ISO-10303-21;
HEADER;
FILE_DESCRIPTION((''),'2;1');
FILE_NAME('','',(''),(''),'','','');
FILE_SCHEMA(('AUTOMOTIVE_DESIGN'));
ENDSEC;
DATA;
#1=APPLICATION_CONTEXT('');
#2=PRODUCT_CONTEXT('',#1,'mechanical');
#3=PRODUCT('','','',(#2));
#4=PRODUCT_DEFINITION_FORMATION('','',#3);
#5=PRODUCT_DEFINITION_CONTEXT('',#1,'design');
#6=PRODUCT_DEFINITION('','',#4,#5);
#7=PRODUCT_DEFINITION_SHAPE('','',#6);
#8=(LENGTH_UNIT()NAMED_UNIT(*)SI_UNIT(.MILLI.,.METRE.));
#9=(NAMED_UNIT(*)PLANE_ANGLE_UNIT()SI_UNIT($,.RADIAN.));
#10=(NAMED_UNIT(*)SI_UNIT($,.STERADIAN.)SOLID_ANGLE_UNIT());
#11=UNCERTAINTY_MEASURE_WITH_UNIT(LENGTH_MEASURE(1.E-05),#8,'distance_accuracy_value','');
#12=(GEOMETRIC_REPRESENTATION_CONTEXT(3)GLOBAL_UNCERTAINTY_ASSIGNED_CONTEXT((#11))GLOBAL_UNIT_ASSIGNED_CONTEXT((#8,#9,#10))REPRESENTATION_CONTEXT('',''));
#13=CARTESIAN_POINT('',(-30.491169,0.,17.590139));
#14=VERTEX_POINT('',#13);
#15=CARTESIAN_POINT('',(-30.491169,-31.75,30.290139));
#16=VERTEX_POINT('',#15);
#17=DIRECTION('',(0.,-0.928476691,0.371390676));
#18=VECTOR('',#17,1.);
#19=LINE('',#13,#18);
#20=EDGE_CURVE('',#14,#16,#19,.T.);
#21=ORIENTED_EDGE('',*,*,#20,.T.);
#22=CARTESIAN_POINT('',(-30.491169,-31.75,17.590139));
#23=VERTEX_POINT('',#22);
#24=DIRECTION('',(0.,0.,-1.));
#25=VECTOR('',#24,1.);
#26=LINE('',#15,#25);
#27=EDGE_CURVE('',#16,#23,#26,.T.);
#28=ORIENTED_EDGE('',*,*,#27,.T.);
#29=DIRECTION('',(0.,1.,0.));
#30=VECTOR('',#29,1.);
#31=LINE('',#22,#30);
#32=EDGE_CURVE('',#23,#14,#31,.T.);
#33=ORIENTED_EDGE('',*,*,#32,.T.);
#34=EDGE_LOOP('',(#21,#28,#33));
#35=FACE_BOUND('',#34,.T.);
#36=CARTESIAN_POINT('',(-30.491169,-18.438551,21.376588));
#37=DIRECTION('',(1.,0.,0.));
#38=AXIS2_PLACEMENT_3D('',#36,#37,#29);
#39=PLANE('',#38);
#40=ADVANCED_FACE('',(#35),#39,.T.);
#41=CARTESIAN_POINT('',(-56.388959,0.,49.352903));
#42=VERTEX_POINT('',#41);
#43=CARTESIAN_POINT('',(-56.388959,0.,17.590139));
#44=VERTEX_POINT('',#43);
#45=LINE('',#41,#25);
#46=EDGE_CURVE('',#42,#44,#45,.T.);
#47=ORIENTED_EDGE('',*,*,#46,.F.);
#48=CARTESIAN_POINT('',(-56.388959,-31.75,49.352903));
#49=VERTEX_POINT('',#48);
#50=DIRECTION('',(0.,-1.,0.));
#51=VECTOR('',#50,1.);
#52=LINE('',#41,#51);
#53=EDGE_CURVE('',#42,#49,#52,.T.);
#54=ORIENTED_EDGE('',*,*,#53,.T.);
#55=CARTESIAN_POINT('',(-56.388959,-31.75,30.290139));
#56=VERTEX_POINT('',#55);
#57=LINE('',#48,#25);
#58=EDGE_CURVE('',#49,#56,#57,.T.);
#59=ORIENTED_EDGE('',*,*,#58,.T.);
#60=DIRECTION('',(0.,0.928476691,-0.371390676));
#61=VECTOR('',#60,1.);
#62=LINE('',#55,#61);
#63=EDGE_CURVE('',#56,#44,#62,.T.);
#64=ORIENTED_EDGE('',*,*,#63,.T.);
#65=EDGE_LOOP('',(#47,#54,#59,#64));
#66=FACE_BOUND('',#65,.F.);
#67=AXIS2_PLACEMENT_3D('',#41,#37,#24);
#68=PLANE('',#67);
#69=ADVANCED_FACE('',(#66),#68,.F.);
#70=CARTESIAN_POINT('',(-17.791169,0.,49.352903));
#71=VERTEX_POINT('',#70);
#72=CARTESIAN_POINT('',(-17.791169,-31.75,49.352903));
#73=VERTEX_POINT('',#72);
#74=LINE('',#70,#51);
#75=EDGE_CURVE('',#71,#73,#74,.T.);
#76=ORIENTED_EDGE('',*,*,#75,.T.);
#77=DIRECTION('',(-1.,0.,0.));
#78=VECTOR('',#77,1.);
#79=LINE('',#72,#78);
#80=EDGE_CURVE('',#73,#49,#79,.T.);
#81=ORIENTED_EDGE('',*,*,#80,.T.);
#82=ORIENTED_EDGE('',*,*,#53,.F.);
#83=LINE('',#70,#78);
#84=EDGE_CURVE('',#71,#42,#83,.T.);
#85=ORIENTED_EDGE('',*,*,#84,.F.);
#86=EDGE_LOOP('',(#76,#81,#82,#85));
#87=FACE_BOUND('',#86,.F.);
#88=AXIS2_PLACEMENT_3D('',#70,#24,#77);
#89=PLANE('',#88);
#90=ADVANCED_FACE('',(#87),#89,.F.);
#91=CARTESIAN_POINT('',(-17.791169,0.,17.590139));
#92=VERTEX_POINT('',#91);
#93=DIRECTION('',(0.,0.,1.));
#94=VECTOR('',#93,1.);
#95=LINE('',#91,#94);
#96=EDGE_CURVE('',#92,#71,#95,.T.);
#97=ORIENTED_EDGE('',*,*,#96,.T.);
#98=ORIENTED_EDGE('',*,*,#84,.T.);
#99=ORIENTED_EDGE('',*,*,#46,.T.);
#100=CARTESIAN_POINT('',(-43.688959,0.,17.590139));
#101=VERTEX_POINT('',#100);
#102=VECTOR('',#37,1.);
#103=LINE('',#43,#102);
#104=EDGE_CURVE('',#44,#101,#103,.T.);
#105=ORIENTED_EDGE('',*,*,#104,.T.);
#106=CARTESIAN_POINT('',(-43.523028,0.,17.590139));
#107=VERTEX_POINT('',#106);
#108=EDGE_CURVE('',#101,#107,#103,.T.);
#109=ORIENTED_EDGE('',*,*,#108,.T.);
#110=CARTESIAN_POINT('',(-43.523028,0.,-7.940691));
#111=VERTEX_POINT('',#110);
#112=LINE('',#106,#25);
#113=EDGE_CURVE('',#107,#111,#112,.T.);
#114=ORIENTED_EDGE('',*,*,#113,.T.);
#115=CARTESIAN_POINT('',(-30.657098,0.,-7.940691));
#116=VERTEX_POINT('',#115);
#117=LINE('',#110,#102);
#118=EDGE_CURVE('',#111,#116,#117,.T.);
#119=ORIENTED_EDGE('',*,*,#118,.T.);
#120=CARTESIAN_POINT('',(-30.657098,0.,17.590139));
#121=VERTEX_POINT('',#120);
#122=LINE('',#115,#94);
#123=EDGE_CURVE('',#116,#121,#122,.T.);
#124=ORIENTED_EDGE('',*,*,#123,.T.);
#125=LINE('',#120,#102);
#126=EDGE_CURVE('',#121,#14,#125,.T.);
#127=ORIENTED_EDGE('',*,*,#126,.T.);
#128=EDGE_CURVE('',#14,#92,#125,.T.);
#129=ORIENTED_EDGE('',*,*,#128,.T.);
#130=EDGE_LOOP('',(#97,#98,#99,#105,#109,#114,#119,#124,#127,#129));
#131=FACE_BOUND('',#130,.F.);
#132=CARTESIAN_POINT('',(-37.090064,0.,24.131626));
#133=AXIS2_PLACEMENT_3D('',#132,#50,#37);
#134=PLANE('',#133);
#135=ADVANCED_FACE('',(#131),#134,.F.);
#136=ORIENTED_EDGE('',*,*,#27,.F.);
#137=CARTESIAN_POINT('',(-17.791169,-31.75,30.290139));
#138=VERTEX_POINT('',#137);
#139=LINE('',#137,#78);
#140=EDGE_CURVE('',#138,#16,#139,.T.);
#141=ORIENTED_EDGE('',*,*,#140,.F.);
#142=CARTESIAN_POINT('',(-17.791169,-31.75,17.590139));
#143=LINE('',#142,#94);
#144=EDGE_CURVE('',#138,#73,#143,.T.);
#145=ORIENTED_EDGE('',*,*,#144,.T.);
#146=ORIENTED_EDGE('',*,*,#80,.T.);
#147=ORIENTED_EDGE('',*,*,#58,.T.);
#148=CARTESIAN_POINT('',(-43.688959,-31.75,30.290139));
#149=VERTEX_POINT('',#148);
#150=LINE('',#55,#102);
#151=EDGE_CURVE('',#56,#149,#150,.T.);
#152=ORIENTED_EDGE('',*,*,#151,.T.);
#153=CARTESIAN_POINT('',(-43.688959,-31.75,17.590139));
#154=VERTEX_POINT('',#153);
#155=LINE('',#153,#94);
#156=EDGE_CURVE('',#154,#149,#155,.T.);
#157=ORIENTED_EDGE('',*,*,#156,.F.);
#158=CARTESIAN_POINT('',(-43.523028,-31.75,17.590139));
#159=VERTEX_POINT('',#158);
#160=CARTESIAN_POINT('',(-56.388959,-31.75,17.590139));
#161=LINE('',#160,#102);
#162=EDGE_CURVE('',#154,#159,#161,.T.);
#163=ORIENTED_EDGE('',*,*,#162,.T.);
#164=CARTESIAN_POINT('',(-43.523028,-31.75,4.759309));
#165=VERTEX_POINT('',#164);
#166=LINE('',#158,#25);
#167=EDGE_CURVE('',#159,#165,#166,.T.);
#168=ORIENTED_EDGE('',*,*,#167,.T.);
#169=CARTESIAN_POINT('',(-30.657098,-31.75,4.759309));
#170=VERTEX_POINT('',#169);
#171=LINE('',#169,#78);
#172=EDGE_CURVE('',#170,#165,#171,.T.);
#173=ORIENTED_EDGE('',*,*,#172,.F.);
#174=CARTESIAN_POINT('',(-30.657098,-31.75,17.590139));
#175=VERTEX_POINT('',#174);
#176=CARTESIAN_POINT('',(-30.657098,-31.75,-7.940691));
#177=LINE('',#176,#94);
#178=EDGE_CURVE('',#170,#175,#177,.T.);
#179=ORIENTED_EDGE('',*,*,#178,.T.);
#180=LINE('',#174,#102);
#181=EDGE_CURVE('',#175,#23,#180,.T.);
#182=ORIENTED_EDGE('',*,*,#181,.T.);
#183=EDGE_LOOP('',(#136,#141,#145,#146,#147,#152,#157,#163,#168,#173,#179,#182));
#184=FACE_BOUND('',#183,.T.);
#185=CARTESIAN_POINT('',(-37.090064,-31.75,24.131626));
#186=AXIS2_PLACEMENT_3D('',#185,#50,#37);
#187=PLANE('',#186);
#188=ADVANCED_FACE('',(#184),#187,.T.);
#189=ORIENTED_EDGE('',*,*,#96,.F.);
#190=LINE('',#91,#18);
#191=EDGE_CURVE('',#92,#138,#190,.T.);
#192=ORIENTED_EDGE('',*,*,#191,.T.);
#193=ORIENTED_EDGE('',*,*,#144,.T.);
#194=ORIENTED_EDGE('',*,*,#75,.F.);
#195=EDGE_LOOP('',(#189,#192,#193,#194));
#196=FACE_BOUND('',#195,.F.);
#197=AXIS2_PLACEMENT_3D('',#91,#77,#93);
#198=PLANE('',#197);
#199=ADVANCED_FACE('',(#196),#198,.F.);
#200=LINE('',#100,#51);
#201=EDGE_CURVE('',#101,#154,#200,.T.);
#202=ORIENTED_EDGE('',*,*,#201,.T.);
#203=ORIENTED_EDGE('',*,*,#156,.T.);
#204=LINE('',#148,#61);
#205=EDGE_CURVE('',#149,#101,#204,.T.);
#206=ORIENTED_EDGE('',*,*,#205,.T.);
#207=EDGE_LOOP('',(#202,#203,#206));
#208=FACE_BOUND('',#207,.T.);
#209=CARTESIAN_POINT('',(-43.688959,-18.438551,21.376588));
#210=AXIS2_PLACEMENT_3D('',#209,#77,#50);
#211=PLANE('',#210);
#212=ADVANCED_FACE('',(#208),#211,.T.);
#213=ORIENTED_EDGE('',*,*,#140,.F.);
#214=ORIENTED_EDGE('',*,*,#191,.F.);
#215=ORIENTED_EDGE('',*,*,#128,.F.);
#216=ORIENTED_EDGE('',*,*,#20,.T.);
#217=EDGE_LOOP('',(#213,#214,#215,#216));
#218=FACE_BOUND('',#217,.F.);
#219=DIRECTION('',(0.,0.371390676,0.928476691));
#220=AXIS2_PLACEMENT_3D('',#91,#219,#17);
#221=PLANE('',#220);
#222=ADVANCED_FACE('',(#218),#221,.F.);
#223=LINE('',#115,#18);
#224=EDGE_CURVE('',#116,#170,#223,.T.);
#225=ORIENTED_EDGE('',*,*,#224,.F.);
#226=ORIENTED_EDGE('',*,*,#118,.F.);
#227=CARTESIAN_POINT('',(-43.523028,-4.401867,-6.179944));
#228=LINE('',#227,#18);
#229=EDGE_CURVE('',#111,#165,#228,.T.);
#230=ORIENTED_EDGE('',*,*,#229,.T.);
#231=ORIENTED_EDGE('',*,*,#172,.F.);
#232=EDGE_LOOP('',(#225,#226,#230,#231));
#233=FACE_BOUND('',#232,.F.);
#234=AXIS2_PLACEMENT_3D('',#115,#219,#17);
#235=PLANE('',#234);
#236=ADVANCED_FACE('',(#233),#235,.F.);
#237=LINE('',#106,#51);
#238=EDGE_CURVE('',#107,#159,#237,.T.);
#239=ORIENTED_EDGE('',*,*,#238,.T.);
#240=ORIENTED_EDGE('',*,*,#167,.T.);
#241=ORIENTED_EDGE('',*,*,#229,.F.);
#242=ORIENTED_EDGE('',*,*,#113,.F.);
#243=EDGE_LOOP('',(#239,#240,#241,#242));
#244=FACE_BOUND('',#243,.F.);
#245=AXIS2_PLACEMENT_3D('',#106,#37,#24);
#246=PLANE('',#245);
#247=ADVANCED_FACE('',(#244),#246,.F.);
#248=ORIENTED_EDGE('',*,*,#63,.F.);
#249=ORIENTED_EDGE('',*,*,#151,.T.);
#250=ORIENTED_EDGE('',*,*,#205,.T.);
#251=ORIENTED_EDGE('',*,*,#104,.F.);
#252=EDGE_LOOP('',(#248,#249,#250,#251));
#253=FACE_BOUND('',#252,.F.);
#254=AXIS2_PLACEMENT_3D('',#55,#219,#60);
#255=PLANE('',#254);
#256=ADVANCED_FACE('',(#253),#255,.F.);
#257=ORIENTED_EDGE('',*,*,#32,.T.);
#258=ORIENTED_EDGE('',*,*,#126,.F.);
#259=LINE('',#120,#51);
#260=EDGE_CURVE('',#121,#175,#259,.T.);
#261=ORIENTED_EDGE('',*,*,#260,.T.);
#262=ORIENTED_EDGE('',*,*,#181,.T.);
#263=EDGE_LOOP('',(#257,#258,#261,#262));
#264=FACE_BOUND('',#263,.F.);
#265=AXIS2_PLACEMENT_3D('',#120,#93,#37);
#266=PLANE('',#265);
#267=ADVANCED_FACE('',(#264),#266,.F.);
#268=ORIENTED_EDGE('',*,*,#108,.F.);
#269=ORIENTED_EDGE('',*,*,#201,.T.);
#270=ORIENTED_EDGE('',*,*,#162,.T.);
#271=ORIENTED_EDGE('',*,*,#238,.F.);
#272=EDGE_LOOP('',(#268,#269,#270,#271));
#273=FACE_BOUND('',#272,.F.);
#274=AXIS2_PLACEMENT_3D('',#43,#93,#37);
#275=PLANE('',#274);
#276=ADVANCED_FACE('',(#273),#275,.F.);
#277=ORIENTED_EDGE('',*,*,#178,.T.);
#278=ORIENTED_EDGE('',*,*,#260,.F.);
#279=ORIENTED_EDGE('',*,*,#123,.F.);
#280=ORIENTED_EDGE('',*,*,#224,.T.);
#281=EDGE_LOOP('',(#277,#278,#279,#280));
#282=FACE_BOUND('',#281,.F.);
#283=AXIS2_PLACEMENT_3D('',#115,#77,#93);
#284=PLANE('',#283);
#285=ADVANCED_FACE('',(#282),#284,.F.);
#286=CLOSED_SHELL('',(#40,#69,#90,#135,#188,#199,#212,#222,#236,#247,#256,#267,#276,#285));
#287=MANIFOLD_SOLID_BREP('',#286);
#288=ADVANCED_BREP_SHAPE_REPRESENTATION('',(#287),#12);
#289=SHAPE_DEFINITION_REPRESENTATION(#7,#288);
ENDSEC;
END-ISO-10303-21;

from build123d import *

# Parameters (mm, degrees)
F1_DEPTH = 31.75
F3_DEPTH = 25.732862
F5_DEPTH = 12.7
F7_DEPTH = 12.7


with BuildPart() as f1:
    # F0 (on Front) → F1 (new body)
    with BuildSketch(Plane.XZ):
        Polygon((-17.791169, 49.352903), (-56.388959, 49.352903), (-56.388959, 17.590139), (-43.523028, 17.590139), (-43.523028, -7.940691), (-30.657098, -7.940691), (-30.657098, 17.590139), (-17.791169, 17.590139), align=None)
    extrude(amount=F1_DEPTH)

    # F2 (on face) → F3 (cut, through all)
    with BuildSketch(Plane.YZ.offset(-30.657098)):
        Polygon((0, -7.940691), (-31.75, 4.759309), (-31.75, -7.940691), align=None)
    extrude(amount=-F3_DEPTH, mode=Mode.SUBTRACT)

    # F4 (on face) → F5 (cut)
    with BuildSketch(Plane(origin=(-56.388959, 0, 0), x_dir=(0, -1, 0), z_dir=(-1, 0, 0))):
        Polygon((31.75, 17.590139), (31.75, 30.290139), (0, 17.590139), align=None)
    extrude(amount=-F5_DEPTH, mode=Mode.SUBTRACT)

    # F6 (on face) → F7 (cut)
    with BuildSketch(Plane.YZ.offset(-17.791169)):
        Polygon((0, 17.590139), (-31.75, 30.290139), (-31.75, 17.590139), align=None)
    extrude(amount=-F7_DEPTH, mode=Mode.SUBTRACT)


solid = f1.part
